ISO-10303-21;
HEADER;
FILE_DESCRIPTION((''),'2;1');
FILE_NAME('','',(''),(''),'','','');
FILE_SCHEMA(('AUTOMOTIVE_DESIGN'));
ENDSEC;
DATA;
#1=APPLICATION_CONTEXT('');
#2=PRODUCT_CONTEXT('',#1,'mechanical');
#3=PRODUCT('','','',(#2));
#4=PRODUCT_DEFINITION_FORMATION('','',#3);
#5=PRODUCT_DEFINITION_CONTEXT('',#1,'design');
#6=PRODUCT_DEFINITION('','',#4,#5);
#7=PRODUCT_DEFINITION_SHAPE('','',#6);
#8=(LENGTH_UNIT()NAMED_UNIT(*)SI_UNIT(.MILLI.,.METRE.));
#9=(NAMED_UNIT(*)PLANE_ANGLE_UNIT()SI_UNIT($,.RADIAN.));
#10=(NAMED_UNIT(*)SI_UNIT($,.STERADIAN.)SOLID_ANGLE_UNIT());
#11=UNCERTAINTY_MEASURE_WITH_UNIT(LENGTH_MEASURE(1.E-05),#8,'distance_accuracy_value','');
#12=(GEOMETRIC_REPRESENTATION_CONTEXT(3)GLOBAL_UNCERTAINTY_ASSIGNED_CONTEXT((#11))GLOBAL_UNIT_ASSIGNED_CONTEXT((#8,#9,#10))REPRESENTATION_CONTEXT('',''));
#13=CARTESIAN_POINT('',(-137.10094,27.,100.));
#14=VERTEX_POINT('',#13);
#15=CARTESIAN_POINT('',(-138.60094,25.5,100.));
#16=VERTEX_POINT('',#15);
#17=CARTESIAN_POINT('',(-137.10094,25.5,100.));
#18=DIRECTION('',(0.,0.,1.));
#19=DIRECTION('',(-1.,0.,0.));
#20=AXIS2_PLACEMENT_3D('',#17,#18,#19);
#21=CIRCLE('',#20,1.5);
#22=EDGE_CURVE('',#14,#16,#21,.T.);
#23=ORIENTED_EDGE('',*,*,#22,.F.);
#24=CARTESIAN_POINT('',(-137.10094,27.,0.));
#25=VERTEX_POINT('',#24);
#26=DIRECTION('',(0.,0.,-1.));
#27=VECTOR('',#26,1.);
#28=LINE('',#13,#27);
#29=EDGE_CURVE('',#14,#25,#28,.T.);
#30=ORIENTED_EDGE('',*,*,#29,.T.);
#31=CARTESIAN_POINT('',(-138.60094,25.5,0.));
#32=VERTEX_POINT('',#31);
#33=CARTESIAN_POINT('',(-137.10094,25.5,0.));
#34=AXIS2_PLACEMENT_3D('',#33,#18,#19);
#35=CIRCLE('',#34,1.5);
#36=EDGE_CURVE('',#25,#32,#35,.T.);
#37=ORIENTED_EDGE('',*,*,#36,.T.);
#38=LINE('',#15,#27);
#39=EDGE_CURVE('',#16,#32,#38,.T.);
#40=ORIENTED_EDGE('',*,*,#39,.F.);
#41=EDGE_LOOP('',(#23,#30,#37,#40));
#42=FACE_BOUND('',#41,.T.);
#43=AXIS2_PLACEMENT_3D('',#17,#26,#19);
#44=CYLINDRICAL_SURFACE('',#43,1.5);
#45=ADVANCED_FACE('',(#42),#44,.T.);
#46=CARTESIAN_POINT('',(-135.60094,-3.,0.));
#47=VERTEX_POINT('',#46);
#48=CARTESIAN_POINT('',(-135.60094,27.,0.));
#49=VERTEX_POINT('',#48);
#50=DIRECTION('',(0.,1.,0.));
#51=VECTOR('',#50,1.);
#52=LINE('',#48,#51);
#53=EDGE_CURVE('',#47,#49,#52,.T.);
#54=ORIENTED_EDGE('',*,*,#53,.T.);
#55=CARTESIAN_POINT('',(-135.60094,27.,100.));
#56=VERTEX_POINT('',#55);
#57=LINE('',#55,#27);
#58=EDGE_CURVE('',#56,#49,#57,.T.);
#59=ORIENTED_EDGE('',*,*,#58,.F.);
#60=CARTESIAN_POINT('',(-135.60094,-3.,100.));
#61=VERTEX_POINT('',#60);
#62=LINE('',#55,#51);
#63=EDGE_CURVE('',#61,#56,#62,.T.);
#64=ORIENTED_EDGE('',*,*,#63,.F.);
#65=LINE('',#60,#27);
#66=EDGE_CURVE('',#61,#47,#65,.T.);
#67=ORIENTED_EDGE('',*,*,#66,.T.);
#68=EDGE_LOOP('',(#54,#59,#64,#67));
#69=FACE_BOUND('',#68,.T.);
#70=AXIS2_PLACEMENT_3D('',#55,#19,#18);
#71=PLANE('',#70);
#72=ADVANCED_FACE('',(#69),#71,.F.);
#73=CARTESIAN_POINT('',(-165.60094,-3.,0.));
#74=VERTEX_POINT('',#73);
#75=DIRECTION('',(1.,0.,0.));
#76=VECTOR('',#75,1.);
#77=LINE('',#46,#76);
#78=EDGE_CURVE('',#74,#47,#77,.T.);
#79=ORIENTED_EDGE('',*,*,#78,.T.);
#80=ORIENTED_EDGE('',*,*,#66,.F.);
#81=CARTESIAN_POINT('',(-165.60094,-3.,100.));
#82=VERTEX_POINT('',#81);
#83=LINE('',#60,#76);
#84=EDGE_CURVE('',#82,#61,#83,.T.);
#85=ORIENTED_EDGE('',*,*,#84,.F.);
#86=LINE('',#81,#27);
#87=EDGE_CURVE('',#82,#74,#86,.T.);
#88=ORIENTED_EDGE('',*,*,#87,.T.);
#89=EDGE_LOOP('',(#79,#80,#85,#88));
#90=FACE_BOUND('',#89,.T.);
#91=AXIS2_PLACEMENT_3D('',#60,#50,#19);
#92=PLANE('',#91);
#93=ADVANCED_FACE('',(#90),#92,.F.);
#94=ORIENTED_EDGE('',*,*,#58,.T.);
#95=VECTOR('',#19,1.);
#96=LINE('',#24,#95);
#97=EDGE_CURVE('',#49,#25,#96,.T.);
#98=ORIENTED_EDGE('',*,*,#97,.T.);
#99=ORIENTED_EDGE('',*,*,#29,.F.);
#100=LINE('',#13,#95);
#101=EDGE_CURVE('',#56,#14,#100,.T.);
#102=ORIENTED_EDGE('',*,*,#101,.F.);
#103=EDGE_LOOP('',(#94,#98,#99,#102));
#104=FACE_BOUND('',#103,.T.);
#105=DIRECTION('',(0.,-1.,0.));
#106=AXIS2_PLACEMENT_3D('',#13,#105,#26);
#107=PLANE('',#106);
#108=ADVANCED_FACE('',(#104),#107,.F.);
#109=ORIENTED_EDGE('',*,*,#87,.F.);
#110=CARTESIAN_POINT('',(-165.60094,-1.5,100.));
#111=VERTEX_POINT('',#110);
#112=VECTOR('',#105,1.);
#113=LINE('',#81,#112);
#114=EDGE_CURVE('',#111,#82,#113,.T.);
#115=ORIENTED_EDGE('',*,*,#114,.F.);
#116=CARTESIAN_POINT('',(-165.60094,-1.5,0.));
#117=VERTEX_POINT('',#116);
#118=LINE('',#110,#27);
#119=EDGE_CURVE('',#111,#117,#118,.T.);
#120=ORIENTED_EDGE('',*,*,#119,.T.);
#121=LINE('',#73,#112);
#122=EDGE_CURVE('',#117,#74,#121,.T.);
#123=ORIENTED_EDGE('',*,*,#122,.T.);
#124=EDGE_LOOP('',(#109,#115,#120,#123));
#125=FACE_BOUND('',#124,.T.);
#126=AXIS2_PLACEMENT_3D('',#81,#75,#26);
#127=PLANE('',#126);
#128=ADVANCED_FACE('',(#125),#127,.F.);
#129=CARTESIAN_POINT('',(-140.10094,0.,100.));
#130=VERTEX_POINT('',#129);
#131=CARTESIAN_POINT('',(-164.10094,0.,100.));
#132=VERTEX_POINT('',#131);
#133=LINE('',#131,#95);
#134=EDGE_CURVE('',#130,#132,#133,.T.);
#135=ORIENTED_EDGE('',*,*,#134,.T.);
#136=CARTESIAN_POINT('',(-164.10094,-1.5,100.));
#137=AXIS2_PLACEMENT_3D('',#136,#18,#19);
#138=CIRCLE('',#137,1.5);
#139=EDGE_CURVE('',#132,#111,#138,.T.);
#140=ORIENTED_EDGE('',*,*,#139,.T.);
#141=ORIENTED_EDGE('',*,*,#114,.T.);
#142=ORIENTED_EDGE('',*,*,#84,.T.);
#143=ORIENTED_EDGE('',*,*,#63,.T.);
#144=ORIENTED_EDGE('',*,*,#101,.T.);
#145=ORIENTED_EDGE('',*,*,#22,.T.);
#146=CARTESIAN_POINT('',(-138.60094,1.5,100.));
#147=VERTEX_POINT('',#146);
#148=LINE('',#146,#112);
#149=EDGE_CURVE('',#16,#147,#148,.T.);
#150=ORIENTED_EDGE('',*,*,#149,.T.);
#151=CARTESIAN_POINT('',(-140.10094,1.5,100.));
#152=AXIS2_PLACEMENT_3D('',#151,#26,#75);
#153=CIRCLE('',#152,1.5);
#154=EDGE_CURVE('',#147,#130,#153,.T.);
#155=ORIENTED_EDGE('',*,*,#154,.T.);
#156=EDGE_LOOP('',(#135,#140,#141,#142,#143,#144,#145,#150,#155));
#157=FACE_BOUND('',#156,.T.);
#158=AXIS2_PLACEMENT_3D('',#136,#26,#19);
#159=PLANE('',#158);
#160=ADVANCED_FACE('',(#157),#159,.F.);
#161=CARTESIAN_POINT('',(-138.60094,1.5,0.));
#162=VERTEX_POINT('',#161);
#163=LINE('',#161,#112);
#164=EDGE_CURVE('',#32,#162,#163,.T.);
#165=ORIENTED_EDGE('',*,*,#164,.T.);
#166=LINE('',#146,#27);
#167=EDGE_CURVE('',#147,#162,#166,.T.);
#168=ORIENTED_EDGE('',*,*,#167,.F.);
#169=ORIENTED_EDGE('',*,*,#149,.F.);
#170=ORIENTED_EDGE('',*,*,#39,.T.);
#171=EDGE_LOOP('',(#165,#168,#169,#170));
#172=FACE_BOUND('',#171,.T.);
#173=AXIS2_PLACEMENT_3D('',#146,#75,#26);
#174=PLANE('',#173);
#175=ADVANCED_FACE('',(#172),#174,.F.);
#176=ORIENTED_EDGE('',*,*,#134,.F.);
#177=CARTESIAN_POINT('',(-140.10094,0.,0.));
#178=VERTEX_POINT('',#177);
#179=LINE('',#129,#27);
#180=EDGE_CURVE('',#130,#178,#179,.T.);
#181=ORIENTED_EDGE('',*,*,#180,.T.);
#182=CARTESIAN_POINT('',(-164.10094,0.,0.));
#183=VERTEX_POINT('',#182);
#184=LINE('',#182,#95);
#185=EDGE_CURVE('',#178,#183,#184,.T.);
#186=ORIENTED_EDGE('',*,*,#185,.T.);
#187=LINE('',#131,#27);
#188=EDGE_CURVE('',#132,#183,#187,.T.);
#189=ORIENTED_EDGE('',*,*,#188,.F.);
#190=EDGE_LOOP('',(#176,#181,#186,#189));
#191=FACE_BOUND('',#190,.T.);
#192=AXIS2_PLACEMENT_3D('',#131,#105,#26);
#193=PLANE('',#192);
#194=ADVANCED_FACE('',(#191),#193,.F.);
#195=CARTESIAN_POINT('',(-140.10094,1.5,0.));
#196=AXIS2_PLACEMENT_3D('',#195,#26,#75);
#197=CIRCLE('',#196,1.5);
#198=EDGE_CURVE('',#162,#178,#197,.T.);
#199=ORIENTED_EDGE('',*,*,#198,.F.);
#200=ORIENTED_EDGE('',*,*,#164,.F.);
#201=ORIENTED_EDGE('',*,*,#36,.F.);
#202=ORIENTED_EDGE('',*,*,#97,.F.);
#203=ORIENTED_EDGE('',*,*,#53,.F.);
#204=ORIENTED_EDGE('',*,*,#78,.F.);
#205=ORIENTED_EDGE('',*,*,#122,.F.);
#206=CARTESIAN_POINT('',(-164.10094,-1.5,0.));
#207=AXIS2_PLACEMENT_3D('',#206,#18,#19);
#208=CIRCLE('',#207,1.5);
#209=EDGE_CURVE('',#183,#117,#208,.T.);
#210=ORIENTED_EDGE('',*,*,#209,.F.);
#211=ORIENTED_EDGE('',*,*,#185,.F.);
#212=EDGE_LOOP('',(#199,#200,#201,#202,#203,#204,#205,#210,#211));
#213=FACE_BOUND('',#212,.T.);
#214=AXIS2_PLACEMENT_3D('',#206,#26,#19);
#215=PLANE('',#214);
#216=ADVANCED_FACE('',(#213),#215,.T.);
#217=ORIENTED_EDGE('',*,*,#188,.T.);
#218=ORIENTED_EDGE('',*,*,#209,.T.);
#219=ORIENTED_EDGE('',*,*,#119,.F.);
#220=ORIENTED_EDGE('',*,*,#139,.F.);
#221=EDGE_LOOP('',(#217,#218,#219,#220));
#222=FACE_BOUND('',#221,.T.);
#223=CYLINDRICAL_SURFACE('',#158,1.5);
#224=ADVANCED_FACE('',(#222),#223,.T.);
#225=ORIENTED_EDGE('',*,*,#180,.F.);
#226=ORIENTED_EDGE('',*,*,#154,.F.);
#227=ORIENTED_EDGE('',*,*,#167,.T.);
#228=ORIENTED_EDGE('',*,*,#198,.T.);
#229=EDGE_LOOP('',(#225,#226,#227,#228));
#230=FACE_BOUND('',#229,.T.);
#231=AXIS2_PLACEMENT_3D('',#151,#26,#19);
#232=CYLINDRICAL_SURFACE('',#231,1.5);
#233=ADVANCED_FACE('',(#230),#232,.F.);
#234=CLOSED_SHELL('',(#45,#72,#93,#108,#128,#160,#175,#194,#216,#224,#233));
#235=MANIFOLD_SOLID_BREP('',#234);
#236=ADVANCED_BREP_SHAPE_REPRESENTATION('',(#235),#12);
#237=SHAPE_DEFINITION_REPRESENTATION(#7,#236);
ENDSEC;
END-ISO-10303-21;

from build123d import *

# Parameters (mm, degrees)
BOSS_EXTRUDE1_DEPTH = 100


with BuildPart() as part:
    # Sketch1 → Boss-Extrude1 (new body)
    with BuildSketch(Plane.XY):
        with BuildLine():
            Line((-135.600940307, 27), (-135.600940307, -3))
            Line((-135.600940307, -3), (-165.600940307, -3))
            Line((-165.600940307, -3), (-165.600940307, -1.5))
            ThreePointArc((-165.600940307, -1.5), (-165.161600478, -0.439339828), (-164.100940307, 0))
            Line((-164.100940307, 0), (-140.100940307, 0))
            ThreePointArc((-140.100940307, 0), (-139.040280135, 0.439339828), (-138.600940307, 1.5))
            Line((-138.600940307, 1.5), (-138.600940307, 25.5))
            ThreePointArc((-138.600940307, 25.5), (-138.161600478, 26.560660172), (-137.100940307, 27))
            Line((-137.100940307, 27), (-135.600940307, 27))
        make_face()
    extrude(amount=BOSS_EXTRUDE1_DEPTH)


solid = part.part
